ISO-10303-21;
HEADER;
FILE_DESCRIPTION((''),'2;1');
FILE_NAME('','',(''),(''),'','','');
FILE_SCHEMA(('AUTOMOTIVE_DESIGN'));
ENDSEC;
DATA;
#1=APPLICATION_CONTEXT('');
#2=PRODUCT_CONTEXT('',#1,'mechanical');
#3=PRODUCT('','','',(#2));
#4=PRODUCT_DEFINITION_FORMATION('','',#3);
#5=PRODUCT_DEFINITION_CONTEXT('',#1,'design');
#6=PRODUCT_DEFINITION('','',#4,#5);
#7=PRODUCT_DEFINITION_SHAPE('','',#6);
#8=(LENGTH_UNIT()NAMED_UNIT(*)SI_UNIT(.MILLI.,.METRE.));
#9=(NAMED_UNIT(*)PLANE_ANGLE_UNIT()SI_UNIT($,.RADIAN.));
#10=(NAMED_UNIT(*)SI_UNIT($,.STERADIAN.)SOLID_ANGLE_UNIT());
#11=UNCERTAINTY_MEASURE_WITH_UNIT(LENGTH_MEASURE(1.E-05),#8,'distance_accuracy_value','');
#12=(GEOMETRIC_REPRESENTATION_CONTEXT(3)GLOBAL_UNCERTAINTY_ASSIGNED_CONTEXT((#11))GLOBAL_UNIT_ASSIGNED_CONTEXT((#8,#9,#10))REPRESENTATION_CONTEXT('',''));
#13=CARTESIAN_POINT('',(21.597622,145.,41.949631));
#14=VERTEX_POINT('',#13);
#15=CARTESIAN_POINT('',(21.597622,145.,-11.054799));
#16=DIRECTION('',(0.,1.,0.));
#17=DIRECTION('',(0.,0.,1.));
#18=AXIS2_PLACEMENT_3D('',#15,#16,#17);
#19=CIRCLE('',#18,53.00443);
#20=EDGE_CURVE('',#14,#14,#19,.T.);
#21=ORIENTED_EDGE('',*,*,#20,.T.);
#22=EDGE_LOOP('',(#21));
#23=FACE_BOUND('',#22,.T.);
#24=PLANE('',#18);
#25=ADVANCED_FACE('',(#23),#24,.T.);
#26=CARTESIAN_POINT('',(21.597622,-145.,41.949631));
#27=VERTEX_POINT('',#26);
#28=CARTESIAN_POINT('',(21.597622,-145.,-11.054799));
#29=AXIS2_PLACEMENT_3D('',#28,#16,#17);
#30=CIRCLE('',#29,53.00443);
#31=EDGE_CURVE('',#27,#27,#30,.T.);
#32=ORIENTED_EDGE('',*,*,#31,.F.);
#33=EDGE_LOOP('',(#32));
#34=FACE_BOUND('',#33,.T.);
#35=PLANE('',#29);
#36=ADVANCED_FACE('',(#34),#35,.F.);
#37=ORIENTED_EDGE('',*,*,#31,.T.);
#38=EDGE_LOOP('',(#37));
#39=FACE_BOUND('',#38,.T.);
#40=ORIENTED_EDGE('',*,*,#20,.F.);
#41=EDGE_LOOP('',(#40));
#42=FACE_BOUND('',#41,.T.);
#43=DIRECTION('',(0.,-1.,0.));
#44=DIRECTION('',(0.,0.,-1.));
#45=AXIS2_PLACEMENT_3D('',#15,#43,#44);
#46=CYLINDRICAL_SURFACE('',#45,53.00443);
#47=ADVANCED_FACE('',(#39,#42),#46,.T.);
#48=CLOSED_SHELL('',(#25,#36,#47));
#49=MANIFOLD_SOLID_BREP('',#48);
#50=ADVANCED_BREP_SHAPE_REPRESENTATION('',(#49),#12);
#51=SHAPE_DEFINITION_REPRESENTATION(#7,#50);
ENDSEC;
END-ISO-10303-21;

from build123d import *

# Parameters (mm, degrees)
SKETCH_2_R      = 53.004430377
EXTRUDE_1_DEPTH = 145


with BuildPart() as part:
    # 草图2 → 凸台-拉伸1 (new, symmetric)
    with BuildSketch(Plane(origin=(0, 0, 0), x_dir=(1, 0, 0), z_dir=(0, 1, 0))):
        with Locations(Location((21.597622002, 11.054798954, 0), (0, 0, 270))):
            Circle(SKETCH_2_R)
    extrude(amount=EXTRUDE_1_DEPTH, both=True)


solid = part.part
